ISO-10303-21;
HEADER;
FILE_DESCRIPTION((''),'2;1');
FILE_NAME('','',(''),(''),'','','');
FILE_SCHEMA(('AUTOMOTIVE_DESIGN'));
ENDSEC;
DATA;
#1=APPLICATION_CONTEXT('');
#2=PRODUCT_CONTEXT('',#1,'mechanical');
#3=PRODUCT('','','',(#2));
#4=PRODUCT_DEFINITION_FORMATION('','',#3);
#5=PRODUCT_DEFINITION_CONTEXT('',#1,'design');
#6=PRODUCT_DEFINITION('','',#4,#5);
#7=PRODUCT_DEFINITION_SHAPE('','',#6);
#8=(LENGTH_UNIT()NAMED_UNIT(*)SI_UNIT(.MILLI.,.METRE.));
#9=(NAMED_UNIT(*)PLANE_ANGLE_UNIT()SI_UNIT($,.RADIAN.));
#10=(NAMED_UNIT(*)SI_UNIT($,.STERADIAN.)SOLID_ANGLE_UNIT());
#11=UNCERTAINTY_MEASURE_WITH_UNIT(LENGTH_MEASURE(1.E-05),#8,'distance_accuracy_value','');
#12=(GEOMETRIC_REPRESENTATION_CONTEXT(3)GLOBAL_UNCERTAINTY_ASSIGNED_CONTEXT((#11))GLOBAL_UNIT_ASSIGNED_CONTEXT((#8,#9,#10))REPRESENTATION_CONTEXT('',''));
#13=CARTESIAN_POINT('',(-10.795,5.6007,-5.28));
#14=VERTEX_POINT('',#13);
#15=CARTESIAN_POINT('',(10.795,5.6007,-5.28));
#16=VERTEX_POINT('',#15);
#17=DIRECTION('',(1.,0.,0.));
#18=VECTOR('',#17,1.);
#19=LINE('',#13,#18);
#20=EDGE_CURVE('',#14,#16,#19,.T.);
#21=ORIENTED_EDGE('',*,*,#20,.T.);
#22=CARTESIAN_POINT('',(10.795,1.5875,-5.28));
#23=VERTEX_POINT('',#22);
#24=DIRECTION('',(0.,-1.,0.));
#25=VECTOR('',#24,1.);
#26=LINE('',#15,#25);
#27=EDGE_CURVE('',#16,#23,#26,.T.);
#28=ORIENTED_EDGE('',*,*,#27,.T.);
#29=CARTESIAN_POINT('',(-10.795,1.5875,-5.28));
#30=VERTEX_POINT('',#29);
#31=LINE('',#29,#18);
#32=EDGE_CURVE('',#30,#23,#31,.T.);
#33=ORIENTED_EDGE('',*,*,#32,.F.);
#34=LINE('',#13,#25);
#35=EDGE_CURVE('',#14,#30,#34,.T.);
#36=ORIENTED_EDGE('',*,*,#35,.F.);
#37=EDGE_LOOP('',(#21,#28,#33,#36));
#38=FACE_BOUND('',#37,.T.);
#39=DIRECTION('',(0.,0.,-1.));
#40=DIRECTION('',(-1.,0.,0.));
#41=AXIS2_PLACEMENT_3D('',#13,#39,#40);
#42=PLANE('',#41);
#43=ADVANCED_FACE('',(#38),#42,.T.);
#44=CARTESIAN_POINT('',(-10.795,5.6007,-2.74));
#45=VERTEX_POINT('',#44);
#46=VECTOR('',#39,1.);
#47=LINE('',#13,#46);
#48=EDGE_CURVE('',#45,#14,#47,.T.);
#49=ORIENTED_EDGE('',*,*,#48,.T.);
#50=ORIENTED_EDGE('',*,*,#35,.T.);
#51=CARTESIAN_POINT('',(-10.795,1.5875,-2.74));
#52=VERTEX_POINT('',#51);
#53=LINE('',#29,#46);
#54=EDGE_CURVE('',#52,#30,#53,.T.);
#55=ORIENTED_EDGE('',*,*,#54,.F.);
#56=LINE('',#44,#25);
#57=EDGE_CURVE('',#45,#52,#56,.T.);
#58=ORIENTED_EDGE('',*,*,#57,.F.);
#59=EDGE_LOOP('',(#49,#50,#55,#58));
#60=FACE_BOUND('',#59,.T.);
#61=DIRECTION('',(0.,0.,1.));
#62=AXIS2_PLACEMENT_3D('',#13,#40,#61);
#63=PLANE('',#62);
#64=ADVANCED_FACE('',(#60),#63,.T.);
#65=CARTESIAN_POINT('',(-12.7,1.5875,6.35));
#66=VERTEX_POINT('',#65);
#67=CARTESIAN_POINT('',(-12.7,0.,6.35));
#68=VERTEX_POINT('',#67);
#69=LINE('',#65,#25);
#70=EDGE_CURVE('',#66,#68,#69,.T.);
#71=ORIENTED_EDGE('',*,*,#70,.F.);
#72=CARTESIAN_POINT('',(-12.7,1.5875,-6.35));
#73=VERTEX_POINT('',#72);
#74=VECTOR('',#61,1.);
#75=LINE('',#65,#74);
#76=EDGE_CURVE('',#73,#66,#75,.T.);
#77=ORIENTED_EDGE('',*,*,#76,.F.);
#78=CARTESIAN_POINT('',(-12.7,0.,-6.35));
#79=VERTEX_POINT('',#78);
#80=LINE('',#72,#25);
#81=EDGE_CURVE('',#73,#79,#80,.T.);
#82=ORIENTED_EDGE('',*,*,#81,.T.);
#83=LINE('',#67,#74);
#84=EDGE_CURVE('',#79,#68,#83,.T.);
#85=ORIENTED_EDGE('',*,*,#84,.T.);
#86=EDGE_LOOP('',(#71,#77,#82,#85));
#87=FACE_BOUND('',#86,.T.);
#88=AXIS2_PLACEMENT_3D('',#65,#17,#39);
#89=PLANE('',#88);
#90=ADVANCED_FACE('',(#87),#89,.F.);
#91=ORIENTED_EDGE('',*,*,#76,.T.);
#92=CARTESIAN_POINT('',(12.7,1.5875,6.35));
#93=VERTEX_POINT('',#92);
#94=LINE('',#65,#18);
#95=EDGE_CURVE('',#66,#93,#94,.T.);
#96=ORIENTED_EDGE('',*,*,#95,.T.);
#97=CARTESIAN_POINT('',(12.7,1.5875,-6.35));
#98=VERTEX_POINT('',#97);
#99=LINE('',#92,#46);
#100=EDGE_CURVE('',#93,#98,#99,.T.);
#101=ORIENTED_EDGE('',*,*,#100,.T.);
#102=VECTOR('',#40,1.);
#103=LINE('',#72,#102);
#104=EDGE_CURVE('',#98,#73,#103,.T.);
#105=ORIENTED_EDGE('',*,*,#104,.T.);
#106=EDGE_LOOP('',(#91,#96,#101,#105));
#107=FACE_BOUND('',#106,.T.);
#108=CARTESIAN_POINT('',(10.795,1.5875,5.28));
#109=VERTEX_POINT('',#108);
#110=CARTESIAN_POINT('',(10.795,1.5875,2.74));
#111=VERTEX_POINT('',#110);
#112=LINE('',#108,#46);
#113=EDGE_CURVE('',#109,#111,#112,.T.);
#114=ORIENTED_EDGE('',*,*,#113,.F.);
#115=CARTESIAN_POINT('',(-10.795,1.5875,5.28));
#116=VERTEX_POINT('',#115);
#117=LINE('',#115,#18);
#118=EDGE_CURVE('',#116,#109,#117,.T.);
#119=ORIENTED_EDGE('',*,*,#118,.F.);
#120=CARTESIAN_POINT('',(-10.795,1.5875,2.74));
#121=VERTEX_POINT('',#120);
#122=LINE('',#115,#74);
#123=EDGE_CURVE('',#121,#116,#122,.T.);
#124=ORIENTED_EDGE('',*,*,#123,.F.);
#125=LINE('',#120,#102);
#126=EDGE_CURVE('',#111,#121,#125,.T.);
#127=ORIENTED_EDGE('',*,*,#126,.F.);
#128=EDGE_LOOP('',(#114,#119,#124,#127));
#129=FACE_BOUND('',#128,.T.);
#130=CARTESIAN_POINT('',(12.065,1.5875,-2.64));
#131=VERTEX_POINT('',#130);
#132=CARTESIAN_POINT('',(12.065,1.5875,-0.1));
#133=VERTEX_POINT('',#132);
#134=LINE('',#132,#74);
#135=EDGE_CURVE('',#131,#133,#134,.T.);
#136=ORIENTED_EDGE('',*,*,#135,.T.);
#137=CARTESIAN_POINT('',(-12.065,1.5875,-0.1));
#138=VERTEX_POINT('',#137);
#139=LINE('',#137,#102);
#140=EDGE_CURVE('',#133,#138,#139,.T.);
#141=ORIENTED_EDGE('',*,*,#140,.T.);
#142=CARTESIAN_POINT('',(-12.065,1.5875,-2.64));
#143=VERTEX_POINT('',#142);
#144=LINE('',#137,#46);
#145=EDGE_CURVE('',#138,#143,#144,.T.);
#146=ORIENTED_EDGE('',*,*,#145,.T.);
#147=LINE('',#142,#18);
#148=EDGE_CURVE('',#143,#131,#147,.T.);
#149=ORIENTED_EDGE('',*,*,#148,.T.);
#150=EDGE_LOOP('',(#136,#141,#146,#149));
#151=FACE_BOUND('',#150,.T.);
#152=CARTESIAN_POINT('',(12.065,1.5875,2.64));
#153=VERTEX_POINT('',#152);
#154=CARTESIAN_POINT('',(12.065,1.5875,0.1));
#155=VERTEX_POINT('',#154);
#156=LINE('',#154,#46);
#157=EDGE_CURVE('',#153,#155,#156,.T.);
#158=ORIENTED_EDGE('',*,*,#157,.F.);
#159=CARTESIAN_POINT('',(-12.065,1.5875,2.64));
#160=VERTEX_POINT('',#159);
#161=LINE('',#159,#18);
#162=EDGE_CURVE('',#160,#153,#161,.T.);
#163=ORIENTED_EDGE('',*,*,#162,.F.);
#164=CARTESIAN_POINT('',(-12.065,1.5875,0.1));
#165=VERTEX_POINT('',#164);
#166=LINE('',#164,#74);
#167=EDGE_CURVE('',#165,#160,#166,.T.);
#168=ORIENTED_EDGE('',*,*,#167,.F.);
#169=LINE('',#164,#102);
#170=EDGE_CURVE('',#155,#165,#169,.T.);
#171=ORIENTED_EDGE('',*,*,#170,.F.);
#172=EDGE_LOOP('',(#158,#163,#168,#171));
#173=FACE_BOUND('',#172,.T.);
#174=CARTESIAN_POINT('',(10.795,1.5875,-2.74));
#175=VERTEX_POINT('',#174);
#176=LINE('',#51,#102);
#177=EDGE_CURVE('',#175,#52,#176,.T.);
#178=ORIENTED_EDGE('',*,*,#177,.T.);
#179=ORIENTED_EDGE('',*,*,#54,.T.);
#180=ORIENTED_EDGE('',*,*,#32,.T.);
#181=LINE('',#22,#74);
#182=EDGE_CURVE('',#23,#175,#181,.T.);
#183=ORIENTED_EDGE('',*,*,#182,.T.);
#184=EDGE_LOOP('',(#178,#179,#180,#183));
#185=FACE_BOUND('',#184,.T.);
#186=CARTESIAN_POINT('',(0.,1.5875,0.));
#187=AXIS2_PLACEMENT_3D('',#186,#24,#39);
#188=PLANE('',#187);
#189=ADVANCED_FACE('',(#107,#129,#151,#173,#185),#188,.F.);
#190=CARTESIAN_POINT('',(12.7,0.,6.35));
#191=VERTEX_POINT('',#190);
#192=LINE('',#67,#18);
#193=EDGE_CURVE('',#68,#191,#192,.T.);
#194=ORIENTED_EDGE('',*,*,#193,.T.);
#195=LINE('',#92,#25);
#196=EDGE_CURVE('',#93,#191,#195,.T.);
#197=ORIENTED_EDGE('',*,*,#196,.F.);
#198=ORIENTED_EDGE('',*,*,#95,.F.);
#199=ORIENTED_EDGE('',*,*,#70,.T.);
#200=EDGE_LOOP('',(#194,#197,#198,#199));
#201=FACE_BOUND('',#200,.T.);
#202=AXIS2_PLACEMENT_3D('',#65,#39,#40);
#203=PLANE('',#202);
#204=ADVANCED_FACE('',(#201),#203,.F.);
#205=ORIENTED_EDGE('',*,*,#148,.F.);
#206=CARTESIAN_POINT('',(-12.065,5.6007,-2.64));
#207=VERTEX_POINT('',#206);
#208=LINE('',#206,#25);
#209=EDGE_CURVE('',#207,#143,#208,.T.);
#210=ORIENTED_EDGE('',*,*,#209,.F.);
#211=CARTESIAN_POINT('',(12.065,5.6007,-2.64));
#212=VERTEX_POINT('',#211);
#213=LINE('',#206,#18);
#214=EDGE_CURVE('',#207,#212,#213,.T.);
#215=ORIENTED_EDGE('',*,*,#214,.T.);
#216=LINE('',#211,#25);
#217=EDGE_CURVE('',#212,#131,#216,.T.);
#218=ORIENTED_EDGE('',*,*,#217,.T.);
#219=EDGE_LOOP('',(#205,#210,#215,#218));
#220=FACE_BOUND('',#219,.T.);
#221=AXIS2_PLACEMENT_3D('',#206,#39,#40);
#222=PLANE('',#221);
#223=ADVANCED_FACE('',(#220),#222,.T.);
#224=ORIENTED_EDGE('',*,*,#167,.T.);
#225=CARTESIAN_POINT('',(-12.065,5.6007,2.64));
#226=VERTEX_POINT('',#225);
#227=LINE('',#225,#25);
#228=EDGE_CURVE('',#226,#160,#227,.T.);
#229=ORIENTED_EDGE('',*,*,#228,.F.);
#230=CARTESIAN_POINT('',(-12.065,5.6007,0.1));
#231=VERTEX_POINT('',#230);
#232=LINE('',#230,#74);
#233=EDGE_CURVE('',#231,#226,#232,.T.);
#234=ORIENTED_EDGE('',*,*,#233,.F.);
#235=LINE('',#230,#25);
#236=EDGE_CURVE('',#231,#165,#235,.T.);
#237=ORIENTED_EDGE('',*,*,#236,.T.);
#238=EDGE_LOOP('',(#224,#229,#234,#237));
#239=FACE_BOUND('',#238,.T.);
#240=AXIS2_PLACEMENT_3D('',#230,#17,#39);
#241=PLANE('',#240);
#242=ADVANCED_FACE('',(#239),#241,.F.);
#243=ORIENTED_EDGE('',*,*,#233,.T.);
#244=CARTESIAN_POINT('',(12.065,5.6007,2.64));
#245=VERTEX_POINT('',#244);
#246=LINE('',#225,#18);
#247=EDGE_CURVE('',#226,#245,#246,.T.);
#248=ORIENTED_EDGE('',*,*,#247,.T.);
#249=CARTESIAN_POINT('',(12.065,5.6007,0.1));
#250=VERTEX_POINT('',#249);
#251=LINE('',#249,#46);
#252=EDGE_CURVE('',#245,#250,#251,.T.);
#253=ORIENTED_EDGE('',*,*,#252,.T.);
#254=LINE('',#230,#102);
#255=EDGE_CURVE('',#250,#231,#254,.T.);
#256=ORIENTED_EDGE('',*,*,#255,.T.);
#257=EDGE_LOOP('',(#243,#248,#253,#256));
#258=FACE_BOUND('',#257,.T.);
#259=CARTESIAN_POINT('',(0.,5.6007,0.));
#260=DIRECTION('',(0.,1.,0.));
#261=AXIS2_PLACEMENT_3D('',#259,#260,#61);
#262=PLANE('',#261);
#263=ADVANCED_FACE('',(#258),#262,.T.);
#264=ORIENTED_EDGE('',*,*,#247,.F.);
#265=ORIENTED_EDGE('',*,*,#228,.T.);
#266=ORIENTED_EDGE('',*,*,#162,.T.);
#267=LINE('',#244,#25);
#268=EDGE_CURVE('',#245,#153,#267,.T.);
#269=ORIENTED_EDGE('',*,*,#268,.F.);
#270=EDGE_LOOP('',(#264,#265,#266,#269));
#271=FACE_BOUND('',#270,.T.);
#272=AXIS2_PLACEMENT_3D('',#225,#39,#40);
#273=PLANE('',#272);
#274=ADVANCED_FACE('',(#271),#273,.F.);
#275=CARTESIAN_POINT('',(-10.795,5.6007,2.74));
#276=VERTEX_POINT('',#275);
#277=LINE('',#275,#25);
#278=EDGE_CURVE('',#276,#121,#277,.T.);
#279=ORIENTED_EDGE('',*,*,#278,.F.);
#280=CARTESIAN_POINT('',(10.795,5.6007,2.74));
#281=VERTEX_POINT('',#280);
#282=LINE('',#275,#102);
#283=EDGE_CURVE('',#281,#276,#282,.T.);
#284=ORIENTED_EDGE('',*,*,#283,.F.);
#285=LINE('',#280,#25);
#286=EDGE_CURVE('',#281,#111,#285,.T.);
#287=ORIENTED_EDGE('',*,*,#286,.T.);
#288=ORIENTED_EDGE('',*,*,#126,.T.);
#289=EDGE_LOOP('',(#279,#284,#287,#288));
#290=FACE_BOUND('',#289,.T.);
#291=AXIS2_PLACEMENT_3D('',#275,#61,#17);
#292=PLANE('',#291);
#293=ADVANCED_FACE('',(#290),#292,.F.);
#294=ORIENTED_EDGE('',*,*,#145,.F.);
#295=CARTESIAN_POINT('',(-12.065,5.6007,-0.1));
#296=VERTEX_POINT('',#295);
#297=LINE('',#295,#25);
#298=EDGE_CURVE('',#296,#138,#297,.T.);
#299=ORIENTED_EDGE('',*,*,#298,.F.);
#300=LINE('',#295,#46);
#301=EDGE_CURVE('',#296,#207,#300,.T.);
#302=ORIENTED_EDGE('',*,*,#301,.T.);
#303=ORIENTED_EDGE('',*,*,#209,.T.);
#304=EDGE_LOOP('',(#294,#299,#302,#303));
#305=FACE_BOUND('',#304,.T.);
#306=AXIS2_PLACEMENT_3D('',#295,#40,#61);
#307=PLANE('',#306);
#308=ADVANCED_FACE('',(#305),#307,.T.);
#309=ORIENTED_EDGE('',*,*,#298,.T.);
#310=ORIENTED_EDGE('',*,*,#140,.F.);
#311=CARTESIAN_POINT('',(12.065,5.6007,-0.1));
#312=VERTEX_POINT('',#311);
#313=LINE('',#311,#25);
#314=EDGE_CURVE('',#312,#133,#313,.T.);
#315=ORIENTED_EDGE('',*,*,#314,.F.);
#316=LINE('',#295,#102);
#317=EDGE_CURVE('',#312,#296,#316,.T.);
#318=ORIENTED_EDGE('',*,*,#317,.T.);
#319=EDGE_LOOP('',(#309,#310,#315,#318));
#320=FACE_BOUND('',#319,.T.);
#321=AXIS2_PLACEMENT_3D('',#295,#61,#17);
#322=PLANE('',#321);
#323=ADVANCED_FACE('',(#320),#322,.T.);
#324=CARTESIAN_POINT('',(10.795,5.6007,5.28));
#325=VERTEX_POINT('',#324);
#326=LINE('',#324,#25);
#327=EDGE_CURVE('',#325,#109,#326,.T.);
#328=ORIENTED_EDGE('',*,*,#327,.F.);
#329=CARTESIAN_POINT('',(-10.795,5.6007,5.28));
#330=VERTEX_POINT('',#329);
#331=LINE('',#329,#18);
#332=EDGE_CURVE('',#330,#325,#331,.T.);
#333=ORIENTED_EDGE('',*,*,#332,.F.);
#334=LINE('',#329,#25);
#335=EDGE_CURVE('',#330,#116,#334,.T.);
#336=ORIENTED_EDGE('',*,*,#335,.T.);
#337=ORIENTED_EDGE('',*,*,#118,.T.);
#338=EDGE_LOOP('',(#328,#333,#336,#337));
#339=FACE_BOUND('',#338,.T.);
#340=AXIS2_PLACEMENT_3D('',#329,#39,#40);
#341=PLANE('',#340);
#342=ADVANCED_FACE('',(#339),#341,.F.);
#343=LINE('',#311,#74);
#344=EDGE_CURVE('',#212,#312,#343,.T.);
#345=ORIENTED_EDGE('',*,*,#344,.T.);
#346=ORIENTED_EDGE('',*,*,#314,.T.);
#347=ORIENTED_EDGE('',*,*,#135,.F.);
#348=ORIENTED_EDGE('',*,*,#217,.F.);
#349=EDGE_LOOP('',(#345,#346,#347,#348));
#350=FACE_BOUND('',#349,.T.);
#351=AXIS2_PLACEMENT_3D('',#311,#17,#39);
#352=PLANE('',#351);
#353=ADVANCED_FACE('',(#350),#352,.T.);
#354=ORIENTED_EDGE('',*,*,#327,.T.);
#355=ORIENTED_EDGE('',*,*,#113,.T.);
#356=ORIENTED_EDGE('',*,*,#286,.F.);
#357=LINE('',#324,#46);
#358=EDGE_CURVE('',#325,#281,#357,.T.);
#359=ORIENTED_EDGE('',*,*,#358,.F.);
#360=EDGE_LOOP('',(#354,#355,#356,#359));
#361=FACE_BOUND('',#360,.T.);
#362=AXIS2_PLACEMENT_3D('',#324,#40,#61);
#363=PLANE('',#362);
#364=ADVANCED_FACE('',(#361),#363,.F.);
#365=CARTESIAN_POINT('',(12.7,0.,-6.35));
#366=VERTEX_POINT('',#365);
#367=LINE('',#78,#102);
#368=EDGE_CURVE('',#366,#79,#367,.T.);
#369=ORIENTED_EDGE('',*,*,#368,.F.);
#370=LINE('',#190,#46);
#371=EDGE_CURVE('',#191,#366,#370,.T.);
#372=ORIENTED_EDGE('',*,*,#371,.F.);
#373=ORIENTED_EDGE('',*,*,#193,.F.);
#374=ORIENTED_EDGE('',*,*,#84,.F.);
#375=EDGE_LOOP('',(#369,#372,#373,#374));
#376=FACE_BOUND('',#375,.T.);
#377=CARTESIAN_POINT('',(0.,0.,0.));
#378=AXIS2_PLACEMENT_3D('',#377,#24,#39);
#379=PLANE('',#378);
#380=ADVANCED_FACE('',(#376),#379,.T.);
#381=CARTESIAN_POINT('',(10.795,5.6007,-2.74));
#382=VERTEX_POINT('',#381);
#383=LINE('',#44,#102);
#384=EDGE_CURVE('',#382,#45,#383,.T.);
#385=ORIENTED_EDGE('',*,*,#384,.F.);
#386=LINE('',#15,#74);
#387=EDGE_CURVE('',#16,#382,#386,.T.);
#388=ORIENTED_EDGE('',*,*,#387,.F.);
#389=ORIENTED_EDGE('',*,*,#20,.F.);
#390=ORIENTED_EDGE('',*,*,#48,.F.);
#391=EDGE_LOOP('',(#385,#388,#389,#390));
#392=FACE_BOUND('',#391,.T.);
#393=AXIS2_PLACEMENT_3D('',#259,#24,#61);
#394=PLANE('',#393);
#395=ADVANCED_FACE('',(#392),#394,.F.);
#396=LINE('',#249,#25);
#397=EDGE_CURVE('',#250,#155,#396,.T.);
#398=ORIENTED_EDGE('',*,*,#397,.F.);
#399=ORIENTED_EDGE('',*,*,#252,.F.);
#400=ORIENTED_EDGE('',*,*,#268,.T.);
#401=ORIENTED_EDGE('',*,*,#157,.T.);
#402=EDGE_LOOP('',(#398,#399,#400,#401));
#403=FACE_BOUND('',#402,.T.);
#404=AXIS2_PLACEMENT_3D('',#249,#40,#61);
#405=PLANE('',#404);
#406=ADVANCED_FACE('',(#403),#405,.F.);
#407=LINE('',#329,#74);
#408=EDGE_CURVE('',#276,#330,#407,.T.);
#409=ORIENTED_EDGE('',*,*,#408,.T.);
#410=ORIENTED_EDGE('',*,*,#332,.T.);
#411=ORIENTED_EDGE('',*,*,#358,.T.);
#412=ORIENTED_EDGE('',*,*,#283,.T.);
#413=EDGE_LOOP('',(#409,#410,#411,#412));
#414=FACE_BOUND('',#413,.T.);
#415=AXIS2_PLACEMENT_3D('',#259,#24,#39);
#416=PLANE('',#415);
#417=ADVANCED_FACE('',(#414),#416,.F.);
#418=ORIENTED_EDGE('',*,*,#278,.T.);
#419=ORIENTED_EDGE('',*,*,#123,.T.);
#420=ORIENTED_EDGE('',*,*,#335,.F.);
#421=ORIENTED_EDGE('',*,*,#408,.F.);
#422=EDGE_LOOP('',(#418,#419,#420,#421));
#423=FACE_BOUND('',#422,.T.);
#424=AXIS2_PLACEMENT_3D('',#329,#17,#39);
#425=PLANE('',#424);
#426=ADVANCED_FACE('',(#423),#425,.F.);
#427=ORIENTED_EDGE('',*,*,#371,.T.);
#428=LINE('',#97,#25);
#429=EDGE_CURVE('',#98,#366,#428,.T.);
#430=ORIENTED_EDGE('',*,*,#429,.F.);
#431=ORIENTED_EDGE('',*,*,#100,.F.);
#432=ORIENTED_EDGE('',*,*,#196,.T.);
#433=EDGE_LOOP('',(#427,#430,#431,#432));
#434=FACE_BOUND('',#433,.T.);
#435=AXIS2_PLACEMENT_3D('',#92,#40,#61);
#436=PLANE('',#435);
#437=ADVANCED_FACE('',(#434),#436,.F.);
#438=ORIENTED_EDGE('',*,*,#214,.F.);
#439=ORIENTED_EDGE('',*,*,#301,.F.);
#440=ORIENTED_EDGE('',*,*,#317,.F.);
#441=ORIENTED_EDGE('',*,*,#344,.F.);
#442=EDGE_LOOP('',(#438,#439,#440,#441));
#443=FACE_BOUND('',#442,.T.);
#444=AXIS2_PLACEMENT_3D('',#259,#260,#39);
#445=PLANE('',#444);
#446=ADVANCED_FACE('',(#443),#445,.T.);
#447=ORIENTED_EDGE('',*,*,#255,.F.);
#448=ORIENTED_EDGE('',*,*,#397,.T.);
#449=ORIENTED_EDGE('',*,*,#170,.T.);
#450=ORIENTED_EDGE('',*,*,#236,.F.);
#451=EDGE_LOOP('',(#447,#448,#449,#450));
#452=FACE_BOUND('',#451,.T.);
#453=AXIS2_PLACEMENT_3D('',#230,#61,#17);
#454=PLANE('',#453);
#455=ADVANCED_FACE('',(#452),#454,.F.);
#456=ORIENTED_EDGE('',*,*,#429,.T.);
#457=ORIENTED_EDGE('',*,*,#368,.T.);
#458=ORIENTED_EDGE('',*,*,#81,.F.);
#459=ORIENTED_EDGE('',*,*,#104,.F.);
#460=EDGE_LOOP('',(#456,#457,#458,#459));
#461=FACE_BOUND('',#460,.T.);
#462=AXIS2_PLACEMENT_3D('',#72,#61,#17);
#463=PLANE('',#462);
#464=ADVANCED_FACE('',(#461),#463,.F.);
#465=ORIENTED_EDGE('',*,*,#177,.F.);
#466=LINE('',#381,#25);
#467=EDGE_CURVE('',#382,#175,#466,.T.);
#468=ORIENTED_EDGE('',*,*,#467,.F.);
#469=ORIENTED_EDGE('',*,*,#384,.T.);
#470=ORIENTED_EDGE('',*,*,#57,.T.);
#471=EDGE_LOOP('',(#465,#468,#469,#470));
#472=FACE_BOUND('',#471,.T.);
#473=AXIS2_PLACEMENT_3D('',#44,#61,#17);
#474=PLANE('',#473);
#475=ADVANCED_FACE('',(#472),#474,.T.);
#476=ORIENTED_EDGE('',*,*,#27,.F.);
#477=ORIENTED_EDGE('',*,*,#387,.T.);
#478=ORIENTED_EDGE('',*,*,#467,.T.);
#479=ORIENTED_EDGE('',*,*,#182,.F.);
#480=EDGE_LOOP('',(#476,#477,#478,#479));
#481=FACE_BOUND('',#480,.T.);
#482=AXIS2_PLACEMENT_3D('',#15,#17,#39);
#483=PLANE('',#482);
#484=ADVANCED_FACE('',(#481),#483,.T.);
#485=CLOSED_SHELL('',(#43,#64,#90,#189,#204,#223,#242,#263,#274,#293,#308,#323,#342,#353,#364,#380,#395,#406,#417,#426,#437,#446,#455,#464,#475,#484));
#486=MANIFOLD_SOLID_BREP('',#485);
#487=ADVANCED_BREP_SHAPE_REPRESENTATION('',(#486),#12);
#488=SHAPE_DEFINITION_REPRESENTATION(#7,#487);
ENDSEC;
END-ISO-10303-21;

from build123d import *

# Parameters (mm, degrees)
SKETCH1_W           = 25.4
SKETCH1_H           = 12.7
BOSS_EXTRUDE1_DEPTH = 1.5875
SKETCH2_W           = 21.59
SKETCH2_H           = 2.54
SKETCH2_W_2         = 24.13
BOSS_EXTRUDE2_DEPTH = 4.0132


with BuildPart() as part:
    # Sketch1 → Boss-Extrude1 (new body)
    with BuildSketch(Plane(origin=(0, 0, 0), x_dir=(1, 0, 0), z_dir=(0, 1, 0))):
        Rectangle(SKETCH1_W, SKETCH1_H)
    extrude(amount=BOSS_EXTRUDE1_DEPTH)

    # Sketch2 → Boss-Extrude2 (add)
    with BuildSketch(Plane(origin=(0, 1.5875, 0), x_dir=(1, 0, 0), z_dir=(0, 1, 0))):
        with Locations((0, -4.01)):
            Rectangle(SKETCH2_W, SKETCH2_H)
        with Locations((0, -1.37)):
            Rectangle(SKETCH2_W_2, SKETCH2_H)
    boss_extrude2 = extrude(amount=BOSS_EXTRUDE2_DEPTH)

    # Mirror1: Boss-Extrude2 across plane
    add(boss_extrude2.mirror(Plane.XY))


solid = part.part
